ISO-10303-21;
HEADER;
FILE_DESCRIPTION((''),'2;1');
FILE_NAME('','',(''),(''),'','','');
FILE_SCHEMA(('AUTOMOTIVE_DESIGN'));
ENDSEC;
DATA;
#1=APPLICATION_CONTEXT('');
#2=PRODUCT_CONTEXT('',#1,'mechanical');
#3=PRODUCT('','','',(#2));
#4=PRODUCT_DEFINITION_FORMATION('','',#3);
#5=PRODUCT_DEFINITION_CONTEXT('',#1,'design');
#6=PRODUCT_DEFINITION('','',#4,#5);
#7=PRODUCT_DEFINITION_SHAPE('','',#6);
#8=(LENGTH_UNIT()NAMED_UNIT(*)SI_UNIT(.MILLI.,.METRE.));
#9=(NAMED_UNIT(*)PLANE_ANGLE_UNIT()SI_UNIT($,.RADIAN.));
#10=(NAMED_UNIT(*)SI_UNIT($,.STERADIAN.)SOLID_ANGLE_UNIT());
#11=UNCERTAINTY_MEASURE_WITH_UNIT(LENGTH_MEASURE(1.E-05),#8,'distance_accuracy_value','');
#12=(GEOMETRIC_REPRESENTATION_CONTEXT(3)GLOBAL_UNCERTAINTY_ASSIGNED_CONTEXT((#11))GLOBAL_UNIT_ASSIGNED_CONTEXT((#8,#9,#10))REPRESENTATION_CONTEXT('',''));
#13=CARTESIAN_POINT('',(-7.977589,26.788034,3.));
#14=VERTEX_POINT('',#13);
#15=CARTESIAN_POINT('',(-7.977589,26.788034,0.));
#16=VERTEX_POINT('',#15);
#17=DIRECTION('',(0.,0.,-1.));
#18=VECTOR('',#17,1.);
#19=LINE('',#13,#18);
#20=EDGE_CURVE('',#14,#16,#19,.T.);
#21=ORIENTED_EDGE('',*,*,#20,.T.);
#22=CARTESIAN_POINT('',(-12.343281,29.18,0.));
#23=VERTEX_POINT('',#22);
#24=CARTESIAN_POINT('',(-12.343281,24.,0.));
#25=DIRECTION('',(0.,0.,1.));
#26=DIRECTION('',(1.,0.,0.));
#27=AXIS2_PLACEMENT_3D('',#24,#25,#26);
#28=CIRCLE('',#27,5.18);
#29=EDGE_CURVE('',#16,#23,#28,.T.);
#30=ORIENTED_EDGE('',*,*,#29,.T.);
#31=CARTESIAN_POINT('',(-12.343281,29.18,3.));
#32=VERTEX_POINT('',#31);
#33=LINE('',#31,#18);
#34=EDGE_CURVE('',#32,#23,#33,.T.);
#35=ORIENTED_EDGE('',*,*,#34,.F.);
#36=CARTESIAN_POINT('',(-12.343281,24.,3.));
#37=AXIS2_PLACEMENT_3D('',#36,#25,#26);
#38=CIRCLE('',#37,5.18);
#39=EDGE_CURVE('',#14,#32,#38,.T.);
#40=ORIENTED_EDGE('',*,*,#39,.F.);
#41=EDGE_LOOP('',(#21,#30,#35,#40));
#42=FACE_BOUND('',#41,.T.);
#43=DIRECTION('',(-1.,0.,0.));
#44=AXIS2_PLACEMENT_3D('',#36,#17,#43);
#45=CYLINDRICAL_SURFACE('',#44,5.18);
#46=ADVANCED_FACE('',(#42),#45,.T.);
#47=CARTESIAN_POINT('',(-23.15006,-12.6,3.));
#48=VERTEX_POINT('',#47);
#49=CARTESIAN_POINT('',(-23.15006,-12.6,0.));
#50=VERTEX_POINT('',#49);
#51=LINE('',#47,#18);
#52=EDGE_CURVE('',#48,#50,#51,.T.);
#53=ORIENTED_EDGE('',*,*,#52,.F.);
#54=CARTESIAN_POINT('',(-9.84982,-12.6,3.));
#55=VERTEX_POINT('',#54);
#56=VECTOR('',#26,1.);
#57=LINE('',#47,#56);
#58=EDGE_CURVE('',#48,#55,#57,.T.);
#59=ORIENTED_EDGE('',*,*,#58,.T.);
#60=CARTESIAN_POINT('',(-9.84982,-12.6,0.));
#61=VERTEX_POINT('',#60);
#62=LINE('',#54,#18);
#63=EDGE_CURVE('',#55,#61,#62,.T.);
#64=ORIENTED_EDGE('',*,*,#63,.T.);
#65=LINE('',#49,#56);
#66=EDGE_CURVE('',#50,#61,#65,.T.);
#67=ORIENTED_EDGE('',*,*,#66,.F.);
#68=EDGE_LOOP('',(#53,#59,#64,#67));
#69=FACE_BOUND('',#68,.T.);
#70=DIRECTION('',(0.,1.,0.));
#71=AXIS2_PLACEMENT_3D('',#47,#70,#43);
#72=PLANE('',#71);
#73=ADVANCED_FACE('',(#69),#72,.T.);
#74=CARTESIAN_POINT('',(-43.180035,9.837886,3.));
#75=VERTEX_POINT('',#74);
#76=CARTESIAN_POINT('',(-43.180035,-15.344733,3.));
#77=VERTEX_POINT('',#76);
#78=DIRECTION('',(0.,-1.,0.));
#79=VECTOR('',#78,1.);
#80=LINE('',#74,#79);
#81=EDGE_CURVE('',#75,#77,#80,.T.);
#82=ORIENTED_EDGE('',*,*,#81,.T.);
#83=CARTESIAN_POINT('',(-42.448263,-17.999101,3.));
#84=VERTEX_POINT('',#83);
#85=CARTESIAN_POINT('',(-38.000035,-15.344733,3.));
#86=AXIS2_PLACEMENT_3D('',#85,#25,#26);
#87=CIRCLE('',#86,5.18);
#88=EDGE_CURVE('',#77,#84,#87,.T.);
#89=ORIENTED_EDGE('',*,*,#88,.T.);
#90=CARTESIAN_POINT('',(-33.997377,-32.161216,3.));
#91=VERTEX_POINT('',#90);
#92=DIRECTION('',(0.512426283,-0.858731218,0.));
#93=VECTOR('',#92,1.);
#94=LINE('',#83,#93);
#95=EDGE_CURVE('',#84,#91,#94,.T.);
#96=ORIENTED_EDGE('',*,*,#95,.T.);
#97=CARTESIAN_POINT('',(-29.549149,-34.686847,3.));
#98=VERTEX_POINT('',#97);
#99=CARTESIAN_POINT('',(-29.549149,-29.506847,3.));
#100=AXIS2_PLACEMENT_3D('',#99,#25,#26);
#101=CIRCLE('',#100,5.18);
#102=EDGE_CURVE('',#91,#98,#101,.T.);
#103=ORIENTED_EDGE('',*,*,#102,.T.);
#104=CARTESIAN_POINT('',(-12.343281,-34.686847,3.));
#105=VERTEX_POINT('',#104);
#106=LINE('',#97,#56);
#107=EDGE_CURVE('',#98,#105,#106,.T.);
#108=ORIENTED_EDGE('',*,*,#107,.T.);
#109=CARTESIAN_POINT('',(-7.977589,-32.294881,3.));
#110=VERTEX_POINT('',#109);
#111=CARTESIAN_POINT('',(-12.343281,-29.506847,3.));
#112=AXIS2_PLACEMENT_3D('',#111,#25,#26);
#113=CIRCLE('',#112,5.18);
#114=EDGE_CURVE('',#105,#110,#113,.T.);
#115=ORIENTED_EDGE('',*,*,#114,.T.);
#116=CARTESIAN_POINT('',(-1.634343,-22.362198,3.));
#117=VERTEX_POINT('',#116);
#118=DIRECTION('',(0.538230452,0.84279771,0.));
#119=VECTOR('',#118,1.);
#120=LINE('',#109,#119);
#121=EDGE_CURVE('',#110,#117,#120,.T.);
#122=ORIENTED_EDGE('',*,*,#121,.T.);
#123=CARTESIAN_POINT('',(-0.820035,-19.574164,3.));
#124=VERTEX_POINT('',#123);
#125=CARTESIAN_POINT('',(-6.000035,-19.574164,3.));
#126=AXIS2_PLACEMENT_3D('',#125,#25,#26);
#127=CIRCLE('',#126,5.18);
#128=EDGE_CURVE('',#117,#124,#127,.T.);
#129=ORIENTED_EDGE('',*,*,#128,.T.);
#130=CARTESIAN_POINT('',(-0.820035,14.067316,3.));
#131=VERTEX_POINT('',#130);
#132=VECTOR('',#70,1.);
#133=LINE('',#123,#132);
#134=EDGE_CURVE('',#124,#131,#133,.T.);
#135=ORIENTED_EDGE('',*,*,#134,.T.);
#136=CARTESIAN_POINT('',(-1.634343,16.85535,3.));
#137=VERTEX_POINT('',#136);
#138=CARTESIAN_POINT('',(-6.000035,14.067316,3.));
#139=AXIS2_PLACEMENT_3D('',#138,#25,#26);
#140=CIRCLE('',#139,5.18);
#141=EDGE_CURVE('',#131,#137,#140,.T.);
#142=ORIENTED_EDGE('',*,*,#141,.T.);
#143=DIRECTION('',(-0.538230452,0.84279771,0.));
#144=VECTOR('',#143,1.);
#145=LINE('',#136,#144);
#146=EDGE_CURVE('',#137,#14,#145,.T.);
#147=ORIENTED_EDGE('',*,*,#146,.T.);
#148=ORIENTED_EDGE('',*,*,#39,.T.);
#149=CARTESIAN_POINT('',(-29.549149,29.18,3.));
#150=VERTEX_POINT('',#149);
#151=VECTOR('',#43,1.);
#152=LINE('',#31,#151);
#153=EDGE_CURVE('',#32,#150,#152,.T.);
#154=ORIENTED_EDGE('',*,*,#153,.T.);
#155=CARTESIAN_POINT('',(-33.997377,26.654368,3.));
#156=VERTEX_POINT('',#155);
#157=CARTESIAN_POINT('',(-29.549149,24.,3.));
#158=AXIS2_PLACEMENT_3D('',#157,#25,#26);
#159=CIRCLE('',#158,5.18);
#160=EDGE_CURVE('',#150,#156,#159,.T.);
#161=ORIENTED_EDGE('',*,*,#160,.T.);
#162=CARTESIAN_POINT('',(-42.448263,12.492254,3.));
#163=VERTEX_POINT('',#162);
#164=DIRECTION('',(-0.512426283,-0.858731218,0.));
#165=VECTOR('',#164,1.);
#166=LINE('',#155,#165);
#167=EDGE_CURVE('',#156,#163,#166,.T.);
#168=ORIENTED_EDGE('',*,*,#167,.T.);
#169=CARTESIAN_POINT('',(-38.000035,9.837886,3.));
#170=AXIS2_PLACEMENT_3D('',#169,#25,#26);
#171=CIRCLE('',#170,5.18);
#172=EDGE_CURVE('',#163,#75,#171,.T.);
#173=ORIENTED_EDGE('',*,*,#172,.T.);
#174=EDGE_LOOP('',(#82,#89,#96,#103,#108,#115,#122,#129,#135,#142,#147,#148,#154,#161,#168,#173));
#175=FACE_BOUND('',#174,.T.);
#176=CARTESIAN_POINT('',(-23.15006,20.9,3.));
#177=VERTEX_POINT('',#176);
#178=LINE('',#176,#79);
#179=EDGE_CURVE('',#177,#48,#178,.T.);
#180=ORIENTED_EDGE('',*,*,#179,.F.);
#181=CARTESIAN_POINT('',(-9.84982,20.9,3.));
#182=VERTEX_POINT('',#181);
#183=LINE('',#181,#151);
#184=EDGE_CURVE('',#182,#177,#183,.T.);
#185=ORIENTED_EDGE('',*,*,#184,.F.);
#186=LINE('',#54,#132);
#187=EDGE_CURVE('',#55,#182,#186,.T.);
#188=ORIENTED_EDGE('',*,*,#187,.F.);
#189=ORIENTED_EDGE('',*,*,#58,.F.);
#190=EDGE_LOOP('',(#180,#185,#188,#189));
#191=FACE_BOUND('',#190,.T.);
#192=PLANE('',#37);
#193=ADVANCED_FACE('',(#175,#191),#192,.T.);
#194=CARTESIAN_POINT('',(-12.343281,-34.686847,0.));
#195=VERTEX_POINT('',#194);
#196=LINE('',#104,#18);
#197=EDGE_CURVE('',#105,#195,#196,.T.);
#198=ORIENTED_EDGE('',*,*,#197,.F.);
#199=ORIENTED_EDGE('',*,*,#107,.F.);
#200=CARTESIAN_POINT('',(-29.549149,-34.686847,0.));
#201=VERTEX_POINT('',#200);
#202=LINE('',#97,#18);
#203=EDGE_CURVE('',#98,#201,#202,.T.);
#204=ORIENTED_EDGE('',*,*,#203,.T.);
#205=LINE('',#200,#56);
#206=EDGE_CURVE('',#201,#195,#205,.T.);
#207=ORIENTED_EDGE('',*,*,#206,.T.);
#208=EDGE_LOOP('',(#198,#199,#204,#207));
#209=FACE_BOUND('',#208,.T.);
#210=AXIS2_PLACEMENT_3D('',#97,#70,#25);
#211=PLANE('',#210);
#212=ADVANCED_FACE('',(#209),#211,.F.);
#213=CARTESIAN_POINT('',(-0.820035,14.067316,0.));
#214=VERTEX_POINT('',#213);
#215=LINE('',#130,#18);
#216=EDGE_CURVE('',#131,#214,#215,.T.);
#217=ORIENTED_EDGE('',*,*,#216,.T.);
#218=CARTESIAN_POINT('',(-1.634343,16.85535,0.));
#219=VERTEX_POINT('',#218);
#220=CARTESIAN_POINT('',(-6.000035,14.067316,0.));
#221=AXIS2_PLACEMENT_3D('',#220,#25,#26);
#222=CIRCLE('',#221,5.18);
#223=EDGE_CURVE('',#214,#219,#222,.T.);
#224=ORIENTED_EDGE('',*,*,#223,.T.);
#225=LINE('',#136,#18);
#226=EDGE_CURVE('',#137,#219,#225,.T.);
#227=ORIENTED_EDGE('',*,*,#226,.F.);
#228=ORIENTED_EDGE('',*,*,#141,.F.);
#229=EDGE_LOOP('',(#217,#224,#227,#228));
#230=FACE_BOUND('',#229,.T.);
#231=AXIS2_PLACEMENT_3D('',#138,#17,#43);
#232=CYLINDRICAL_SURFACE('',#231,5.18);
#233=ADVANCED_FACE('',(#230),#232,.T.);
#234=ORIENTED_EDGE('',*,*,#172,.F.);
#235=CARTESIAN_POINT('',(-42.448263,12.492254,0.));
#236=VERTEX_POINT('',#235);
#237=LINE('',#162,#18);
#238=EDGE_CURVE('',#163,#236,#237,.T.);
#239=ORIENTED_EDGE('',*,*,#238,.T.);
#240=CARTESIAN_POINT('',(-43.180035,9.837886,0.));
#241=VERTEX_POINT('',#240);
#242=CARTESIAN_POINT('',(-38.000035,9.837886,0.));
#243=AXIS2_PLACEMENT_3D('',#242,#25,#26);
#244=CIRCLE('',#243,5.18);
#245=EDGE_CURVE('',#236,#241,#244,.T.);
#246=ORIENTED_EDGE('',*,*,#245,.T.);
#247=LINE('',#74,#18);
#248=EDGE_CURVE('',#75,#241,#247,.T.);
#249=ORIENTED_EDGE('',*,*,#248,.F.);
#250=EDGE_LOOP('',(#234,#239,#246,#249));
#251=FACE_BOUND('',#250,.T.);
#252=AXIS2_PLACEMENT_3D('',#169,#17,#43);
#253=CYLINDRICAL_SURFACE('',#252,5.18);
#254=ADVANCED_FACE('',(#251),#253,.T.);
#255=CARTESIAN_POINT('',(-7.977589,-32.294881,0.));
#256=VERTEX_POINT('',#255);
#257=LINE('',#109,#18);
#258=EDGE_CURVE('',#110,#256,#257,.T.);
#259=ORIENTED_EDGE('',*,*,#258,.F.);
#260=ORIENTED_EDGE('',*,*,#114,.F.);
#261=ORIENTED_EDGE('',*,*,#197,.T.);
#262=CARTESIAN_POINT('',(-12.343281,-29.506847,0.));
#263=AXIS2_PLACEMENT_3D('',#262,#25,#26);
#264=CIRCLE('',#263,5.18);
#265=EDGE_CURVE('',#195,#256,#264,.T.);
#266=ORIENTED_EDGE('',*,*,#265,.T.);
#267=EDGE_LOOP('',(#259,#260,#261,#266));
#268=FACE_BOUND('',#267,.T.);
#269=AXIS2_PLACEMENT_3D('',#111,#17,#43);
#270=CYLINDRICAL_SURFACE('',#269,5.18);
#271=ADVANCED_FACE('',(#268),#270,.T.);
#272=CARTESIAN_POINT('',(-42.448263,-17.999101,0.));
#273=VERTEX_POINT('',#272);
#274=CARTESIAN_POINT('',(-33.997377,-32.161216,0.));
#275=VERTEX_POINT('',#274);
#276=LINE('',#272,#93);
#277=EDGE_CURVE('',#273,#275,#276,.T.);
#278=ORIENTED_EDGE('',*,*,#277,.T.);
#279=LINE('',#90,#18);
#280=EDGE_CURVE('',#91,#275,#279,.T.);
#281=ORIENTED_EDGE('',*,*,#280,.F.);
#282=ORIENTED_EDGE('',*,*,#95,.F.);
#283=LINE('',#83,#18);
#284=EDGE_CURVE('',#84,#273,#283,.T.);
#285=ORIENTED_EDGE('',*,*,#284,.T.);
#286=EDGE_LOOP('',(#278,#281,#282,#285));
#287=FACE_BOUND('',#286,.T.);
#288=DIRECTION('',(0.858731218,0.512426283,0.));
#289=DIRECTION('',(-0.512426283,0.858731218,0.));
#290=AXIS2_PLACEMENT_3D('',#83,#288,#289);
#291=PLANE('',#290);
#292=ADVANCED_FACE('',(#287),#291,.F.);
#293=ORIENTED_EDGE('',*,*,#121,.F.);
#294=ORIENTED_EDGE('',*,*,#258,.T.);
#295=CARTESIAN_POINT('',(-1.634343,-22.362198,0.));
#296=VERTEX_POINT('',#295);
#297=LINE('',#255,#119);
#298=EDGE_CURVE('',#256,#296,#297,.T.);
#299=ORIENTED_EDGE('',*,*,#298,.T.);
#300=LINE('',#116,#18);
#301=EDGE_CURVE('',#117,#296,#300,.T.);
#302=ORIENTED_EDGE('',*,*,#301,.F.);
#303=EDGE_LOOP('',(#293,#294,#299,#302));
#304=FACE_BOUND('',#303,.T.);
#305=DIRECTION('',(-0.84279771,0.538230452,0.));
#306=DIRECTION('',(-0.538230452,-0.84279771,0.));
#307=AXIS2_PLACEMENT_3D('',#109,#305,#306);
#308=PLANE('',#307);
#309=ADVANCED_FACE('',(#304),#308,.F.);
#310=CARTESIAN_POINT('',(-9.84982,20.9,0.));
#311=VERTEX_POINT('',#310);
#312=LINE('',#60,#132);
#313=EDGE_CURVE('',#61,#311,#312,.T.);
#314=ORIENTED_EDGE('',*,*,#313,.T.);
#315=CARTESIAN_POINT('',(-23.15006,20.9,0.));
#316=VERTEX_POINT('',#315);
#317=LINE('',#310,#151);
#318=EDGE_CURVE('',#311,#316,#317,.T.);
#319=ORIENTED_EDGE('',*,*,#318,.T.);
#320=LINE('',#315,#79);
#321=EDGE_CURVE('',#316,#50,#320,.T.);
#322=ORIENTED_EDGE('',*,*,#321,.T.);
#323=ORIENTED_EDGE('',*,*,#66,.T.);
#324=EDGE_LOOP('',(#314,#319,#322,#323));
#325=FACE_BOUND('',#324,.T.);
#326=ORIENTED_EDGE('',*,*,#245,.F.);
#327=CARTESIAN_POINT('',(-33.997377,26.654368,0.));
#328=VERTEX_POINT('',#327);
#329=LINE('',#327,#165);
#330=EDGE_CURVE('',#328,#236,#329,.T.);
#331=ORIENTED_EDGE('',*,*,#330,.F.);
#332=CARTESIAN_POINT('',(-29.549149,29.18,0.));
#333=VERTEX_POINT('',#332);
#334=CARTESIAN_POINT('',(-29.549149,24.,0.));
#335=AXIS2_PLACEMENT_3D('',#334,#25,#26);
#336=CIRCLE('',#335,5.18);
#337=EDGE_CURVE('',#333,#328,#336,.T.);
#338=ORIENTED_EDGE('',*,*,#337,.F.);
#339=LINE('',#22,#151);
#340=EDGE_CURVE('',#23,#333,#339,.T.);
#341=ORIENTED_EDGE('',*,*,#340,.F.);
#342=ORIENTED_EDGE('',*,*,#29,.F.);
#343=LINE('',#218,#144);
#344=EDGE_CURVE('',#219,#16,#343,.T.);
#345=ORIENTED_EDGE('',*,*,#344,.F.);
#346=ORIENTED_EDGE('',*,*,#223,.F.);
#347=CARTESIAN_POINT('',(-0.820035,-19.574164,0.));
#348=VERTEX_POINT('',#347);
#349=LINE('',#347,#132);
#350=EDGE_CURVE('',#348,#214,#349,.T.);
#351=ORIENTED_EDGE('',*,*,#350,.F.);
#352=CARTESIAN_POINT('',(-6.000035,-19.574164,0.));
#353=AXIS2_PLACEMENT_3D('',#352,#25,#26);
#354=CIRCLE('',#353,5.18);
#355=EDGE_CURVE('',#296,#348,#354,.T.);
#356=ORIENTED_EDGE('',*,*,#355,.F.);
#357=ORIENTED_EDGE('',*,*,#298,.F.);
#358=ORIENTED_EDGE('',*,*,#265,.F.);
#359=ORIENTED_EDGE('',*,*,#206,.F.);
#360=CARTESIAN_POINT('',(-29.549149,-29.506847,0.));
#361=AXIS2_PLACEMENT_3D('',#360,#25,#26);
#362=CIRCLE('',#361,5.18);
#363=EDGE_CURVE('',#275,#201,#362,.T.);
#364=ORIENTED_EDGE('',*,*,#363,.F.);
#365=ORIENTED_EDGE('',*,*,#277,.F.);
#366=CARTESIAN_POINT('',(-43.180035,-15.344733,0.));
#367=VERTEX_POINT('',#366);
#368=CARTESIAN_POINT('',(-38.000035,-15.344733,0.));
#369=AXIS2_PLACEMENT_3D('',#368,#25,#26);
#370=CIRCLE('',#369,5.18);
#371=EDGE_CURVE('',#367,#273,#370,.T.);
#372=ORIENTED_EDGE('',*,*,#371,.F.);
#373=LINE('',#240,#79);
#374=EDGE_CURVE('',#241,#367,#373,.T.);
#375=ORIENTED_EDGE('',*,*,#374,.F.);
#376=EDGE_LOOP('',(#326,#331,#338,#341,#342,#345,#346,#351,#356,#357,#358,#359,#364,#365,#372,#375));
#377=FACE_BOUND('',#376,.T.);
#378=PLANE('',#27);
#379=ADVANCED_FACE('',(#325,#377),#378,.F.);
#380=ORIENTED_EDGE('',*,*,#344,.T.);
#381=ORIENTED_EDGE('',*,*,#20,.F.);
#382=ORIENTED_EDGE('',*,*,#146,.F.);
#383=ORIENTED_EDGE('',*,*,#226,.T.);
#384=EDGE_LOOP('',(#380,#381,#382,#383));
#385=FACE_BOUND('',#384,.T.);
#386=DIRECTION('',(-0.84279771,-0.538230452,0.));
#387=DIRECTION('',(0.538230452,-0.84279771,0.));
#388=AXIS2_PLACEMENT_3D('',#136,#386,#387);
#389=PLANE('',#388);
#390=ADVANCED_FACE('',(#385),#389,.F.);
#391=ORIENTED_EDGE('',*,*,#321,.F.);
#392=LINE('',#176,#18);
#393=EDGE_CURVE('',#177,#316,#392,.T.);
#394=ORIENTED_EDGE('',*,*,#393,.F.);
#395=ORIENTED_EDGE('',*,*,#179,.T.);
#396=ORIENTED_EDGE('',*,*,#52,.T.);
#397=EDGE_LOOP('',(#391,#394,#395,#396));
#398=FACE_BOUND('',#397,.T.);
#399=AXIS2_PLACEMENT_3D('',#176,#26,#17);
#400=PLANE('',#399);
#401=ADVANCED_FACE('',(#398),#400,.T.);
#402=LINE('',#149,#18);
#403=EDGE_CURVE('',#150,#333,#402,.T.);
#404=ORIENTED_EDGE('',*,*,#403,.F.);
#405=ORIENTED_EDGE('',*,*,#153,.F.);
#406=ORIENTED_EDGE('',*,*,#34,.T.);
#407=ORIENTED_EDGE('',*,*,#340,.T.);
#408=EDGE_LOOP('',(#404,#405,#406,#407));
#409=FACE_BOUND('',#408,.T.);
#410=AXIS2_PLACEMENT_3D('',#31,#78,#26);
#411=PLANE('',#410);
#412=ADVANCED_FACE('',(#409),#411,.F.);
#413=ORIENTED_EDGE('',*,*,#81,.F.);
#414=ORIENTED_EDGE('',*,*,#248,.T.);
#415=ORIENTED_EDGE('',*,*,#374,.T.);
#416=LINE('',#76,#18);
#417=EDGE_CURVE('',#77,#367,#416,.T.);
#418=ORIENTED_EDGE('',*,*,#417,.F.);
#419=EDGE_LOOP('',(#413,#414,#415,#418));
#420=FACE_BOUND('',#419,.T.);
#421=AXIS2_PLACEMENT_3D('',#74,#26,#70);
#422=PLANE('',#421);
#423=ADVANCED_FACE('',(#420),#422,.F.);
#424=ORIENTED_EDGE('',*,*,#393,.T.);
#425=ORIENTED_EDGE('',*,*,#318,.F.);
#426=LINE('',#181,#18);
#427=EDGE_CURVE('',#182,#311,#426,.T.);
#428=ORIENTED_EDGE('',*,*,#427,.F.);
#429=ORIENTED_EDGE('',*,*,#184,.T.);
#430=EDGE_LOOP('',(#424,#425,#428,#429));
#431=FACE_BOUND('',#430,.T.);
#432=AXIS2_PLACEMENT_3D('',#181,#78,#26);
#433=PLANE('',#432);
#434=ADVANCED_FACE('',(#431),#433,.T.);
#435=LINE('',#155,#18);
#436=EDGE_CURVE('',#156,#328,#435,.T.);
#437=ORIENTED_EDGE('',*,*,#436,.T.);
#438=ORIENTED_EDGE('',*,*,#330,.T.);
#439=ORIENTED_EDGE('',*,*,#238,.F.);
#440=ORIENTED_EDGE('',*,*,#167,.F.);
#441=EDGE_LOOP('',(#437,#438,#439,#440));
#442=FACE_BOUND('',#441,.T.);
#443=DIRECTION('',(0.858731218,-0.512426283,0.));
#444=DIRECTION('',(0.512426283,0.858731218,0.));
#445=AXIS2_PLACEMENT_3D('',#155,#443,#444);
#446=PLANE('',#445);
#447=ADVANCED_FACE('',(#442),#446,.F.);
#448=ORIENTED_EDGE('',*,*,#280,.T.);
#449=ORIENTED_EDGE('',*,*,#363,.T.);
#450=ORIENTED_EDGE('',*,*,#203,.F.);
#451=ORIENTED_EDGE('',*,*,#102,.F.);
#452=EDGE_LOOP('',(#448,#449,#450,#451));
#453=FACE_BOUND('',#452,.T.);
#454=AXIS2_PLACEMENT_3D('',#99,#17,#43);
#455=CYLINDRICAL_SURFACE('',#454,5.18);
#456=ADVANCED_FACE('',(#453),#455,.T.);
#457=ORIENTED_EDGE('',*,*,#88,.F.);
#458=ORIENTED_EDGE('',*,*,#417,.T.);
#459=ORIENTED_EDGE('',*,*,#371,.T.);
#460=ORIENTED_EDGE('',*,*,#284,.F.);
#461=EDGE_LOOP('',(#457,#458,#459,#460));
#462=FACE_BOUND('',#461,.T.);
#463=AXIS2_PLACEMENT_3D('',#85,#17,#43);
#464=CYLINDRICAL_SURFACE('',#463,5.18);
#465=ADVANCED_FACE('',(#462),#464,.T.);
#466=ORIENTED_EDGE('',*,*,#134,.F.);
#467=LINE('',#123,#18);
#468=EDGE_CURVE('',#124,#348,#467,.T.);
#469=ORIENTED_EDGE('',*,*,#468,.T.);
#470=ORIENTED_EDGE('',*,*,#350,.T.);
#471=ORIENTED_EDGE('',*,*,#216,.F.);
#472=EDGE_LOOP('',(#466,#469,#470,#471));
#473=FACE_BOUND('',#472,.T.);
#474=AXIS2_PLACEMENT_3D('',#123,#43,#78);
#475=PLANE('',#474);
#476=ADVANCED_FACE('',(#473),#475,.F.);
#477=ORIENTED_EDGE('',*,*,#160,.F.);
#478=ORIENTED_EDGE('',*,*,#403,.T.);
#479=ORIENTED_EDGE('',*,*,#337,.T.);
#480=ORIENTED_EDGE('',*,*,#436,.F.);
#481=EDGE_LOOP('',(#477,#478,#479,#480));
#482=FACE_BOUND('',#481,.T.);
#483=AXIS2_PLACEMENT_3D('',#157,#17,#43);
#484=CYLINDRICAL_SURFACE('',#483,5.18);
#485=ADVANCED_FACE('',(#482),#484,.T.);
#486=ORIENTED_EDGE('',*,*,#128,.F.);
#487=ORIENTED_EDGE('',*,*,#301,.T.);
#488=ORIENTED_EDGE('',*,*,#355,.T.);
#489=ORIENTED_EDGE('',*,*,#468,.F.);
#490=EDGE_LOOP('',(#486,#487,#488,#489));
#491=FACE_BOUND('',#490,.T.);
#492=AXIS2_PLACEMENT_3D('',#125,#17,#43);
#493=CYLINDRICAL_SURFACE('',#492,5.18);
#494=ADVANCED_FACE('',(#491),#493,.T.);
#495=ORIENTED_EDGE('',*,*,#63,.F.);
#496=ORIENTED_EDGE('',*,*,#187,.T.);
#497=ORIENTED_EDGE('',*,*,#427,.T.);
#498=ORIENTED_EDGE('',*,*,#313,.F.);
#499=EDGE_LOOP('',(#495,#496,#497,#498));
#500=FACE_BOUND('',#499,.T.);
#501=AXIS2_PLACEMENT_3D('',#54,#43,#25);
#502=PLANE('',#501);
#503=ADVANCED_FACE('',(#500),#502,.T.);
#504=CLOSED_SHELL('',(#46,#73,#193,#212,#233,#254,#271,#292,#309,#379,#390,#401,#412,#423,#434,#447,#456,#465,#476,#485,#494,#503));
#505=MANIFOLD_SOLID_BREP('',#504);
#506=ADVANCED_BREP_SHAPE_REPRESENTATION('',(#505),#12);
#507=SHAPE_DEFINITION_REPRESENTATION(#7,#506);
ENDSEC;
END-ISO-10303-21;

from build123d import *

# Parameters (mm, degrees)
SKETCH_1_W      = 13.300240072
SKETCH_1_H      = 33.5
EXTRUDE_1_DEPTH = 3


with BuildPart() as part:
    # ｽｹｯﾁ1 → ﾎﾞｽ - 押し出し1 (new body)
    with BuildSketch(Plane.XY):
        with BuildLine():
            Line((-1.634343126, 16.855350031), (-7.977588702, 26.788033743))
            ThreePointArc((-7.977588702, 26.788033743), (-9.854266456, 28.542819322), (-12.343280841, 29.18))
            Line((-12.343280841, 29.18), (-29.549149223, 29.18))
            ThreePointArc((-29.549149223, 29.18), (-32.106762662, 28.50455475), (-33.997376931, 26.654368145))
            Line((-33.997376931, 26.654368145), (-42.448262973, 12.492253701))
            ThreePointArc((-42.448262973, 12.492253701), (-42.993742281, 11.214580959), (-43.180035265, 9.837885555))
            Line((-43.180035265, 9.837885555), (-43.180035265, -15.34473303))
            ThreePointArc((-43.180035265, -15.34473303), (-42.993742281, -16.721428434), (-42.448262973, -17.999101176))
            Line((-42.448262973, -17.999101176), (-33.997376931, -32.16121562))
            ThreePointArc((-33.997376931, -32.16121562), (-32.106762662, -34.011402225), (-29.549149223, -34.686847475))
            Line((-29.549149223, -34.686847475), (-12.343280841, -34.686847475))
            ThreePointArc((-12.343280841, -34.686847475), (-9.854266456, -34.049666797), (-7.977588702, -32.294881217))
            Line((-7.977588702, -32.294881217), (-1.634343126, -22.362197506))
            ThreePointArc((-1.634343126, -22.362197506), (-1.027777967, -21.026423162), (-0.820035265, -19.574163763))
            Line((-0.820035265, -19.574163763), (-0.820035265, 14.067316288))
            ThreePointArc((-0.820035265, 14.067316288), (-1.027777967, 15.519575687), (-1.634343126, 16.855350031))
        make_face()
        with Locations((-16.499940321, 4.15)):
            Rectangle(SKETCH_1_W, SKETCH_1_H, mode=Mode.SUBTRACT)
    extrude(amount=EXTRUDE_1_DEPTH)


solid = part.part
